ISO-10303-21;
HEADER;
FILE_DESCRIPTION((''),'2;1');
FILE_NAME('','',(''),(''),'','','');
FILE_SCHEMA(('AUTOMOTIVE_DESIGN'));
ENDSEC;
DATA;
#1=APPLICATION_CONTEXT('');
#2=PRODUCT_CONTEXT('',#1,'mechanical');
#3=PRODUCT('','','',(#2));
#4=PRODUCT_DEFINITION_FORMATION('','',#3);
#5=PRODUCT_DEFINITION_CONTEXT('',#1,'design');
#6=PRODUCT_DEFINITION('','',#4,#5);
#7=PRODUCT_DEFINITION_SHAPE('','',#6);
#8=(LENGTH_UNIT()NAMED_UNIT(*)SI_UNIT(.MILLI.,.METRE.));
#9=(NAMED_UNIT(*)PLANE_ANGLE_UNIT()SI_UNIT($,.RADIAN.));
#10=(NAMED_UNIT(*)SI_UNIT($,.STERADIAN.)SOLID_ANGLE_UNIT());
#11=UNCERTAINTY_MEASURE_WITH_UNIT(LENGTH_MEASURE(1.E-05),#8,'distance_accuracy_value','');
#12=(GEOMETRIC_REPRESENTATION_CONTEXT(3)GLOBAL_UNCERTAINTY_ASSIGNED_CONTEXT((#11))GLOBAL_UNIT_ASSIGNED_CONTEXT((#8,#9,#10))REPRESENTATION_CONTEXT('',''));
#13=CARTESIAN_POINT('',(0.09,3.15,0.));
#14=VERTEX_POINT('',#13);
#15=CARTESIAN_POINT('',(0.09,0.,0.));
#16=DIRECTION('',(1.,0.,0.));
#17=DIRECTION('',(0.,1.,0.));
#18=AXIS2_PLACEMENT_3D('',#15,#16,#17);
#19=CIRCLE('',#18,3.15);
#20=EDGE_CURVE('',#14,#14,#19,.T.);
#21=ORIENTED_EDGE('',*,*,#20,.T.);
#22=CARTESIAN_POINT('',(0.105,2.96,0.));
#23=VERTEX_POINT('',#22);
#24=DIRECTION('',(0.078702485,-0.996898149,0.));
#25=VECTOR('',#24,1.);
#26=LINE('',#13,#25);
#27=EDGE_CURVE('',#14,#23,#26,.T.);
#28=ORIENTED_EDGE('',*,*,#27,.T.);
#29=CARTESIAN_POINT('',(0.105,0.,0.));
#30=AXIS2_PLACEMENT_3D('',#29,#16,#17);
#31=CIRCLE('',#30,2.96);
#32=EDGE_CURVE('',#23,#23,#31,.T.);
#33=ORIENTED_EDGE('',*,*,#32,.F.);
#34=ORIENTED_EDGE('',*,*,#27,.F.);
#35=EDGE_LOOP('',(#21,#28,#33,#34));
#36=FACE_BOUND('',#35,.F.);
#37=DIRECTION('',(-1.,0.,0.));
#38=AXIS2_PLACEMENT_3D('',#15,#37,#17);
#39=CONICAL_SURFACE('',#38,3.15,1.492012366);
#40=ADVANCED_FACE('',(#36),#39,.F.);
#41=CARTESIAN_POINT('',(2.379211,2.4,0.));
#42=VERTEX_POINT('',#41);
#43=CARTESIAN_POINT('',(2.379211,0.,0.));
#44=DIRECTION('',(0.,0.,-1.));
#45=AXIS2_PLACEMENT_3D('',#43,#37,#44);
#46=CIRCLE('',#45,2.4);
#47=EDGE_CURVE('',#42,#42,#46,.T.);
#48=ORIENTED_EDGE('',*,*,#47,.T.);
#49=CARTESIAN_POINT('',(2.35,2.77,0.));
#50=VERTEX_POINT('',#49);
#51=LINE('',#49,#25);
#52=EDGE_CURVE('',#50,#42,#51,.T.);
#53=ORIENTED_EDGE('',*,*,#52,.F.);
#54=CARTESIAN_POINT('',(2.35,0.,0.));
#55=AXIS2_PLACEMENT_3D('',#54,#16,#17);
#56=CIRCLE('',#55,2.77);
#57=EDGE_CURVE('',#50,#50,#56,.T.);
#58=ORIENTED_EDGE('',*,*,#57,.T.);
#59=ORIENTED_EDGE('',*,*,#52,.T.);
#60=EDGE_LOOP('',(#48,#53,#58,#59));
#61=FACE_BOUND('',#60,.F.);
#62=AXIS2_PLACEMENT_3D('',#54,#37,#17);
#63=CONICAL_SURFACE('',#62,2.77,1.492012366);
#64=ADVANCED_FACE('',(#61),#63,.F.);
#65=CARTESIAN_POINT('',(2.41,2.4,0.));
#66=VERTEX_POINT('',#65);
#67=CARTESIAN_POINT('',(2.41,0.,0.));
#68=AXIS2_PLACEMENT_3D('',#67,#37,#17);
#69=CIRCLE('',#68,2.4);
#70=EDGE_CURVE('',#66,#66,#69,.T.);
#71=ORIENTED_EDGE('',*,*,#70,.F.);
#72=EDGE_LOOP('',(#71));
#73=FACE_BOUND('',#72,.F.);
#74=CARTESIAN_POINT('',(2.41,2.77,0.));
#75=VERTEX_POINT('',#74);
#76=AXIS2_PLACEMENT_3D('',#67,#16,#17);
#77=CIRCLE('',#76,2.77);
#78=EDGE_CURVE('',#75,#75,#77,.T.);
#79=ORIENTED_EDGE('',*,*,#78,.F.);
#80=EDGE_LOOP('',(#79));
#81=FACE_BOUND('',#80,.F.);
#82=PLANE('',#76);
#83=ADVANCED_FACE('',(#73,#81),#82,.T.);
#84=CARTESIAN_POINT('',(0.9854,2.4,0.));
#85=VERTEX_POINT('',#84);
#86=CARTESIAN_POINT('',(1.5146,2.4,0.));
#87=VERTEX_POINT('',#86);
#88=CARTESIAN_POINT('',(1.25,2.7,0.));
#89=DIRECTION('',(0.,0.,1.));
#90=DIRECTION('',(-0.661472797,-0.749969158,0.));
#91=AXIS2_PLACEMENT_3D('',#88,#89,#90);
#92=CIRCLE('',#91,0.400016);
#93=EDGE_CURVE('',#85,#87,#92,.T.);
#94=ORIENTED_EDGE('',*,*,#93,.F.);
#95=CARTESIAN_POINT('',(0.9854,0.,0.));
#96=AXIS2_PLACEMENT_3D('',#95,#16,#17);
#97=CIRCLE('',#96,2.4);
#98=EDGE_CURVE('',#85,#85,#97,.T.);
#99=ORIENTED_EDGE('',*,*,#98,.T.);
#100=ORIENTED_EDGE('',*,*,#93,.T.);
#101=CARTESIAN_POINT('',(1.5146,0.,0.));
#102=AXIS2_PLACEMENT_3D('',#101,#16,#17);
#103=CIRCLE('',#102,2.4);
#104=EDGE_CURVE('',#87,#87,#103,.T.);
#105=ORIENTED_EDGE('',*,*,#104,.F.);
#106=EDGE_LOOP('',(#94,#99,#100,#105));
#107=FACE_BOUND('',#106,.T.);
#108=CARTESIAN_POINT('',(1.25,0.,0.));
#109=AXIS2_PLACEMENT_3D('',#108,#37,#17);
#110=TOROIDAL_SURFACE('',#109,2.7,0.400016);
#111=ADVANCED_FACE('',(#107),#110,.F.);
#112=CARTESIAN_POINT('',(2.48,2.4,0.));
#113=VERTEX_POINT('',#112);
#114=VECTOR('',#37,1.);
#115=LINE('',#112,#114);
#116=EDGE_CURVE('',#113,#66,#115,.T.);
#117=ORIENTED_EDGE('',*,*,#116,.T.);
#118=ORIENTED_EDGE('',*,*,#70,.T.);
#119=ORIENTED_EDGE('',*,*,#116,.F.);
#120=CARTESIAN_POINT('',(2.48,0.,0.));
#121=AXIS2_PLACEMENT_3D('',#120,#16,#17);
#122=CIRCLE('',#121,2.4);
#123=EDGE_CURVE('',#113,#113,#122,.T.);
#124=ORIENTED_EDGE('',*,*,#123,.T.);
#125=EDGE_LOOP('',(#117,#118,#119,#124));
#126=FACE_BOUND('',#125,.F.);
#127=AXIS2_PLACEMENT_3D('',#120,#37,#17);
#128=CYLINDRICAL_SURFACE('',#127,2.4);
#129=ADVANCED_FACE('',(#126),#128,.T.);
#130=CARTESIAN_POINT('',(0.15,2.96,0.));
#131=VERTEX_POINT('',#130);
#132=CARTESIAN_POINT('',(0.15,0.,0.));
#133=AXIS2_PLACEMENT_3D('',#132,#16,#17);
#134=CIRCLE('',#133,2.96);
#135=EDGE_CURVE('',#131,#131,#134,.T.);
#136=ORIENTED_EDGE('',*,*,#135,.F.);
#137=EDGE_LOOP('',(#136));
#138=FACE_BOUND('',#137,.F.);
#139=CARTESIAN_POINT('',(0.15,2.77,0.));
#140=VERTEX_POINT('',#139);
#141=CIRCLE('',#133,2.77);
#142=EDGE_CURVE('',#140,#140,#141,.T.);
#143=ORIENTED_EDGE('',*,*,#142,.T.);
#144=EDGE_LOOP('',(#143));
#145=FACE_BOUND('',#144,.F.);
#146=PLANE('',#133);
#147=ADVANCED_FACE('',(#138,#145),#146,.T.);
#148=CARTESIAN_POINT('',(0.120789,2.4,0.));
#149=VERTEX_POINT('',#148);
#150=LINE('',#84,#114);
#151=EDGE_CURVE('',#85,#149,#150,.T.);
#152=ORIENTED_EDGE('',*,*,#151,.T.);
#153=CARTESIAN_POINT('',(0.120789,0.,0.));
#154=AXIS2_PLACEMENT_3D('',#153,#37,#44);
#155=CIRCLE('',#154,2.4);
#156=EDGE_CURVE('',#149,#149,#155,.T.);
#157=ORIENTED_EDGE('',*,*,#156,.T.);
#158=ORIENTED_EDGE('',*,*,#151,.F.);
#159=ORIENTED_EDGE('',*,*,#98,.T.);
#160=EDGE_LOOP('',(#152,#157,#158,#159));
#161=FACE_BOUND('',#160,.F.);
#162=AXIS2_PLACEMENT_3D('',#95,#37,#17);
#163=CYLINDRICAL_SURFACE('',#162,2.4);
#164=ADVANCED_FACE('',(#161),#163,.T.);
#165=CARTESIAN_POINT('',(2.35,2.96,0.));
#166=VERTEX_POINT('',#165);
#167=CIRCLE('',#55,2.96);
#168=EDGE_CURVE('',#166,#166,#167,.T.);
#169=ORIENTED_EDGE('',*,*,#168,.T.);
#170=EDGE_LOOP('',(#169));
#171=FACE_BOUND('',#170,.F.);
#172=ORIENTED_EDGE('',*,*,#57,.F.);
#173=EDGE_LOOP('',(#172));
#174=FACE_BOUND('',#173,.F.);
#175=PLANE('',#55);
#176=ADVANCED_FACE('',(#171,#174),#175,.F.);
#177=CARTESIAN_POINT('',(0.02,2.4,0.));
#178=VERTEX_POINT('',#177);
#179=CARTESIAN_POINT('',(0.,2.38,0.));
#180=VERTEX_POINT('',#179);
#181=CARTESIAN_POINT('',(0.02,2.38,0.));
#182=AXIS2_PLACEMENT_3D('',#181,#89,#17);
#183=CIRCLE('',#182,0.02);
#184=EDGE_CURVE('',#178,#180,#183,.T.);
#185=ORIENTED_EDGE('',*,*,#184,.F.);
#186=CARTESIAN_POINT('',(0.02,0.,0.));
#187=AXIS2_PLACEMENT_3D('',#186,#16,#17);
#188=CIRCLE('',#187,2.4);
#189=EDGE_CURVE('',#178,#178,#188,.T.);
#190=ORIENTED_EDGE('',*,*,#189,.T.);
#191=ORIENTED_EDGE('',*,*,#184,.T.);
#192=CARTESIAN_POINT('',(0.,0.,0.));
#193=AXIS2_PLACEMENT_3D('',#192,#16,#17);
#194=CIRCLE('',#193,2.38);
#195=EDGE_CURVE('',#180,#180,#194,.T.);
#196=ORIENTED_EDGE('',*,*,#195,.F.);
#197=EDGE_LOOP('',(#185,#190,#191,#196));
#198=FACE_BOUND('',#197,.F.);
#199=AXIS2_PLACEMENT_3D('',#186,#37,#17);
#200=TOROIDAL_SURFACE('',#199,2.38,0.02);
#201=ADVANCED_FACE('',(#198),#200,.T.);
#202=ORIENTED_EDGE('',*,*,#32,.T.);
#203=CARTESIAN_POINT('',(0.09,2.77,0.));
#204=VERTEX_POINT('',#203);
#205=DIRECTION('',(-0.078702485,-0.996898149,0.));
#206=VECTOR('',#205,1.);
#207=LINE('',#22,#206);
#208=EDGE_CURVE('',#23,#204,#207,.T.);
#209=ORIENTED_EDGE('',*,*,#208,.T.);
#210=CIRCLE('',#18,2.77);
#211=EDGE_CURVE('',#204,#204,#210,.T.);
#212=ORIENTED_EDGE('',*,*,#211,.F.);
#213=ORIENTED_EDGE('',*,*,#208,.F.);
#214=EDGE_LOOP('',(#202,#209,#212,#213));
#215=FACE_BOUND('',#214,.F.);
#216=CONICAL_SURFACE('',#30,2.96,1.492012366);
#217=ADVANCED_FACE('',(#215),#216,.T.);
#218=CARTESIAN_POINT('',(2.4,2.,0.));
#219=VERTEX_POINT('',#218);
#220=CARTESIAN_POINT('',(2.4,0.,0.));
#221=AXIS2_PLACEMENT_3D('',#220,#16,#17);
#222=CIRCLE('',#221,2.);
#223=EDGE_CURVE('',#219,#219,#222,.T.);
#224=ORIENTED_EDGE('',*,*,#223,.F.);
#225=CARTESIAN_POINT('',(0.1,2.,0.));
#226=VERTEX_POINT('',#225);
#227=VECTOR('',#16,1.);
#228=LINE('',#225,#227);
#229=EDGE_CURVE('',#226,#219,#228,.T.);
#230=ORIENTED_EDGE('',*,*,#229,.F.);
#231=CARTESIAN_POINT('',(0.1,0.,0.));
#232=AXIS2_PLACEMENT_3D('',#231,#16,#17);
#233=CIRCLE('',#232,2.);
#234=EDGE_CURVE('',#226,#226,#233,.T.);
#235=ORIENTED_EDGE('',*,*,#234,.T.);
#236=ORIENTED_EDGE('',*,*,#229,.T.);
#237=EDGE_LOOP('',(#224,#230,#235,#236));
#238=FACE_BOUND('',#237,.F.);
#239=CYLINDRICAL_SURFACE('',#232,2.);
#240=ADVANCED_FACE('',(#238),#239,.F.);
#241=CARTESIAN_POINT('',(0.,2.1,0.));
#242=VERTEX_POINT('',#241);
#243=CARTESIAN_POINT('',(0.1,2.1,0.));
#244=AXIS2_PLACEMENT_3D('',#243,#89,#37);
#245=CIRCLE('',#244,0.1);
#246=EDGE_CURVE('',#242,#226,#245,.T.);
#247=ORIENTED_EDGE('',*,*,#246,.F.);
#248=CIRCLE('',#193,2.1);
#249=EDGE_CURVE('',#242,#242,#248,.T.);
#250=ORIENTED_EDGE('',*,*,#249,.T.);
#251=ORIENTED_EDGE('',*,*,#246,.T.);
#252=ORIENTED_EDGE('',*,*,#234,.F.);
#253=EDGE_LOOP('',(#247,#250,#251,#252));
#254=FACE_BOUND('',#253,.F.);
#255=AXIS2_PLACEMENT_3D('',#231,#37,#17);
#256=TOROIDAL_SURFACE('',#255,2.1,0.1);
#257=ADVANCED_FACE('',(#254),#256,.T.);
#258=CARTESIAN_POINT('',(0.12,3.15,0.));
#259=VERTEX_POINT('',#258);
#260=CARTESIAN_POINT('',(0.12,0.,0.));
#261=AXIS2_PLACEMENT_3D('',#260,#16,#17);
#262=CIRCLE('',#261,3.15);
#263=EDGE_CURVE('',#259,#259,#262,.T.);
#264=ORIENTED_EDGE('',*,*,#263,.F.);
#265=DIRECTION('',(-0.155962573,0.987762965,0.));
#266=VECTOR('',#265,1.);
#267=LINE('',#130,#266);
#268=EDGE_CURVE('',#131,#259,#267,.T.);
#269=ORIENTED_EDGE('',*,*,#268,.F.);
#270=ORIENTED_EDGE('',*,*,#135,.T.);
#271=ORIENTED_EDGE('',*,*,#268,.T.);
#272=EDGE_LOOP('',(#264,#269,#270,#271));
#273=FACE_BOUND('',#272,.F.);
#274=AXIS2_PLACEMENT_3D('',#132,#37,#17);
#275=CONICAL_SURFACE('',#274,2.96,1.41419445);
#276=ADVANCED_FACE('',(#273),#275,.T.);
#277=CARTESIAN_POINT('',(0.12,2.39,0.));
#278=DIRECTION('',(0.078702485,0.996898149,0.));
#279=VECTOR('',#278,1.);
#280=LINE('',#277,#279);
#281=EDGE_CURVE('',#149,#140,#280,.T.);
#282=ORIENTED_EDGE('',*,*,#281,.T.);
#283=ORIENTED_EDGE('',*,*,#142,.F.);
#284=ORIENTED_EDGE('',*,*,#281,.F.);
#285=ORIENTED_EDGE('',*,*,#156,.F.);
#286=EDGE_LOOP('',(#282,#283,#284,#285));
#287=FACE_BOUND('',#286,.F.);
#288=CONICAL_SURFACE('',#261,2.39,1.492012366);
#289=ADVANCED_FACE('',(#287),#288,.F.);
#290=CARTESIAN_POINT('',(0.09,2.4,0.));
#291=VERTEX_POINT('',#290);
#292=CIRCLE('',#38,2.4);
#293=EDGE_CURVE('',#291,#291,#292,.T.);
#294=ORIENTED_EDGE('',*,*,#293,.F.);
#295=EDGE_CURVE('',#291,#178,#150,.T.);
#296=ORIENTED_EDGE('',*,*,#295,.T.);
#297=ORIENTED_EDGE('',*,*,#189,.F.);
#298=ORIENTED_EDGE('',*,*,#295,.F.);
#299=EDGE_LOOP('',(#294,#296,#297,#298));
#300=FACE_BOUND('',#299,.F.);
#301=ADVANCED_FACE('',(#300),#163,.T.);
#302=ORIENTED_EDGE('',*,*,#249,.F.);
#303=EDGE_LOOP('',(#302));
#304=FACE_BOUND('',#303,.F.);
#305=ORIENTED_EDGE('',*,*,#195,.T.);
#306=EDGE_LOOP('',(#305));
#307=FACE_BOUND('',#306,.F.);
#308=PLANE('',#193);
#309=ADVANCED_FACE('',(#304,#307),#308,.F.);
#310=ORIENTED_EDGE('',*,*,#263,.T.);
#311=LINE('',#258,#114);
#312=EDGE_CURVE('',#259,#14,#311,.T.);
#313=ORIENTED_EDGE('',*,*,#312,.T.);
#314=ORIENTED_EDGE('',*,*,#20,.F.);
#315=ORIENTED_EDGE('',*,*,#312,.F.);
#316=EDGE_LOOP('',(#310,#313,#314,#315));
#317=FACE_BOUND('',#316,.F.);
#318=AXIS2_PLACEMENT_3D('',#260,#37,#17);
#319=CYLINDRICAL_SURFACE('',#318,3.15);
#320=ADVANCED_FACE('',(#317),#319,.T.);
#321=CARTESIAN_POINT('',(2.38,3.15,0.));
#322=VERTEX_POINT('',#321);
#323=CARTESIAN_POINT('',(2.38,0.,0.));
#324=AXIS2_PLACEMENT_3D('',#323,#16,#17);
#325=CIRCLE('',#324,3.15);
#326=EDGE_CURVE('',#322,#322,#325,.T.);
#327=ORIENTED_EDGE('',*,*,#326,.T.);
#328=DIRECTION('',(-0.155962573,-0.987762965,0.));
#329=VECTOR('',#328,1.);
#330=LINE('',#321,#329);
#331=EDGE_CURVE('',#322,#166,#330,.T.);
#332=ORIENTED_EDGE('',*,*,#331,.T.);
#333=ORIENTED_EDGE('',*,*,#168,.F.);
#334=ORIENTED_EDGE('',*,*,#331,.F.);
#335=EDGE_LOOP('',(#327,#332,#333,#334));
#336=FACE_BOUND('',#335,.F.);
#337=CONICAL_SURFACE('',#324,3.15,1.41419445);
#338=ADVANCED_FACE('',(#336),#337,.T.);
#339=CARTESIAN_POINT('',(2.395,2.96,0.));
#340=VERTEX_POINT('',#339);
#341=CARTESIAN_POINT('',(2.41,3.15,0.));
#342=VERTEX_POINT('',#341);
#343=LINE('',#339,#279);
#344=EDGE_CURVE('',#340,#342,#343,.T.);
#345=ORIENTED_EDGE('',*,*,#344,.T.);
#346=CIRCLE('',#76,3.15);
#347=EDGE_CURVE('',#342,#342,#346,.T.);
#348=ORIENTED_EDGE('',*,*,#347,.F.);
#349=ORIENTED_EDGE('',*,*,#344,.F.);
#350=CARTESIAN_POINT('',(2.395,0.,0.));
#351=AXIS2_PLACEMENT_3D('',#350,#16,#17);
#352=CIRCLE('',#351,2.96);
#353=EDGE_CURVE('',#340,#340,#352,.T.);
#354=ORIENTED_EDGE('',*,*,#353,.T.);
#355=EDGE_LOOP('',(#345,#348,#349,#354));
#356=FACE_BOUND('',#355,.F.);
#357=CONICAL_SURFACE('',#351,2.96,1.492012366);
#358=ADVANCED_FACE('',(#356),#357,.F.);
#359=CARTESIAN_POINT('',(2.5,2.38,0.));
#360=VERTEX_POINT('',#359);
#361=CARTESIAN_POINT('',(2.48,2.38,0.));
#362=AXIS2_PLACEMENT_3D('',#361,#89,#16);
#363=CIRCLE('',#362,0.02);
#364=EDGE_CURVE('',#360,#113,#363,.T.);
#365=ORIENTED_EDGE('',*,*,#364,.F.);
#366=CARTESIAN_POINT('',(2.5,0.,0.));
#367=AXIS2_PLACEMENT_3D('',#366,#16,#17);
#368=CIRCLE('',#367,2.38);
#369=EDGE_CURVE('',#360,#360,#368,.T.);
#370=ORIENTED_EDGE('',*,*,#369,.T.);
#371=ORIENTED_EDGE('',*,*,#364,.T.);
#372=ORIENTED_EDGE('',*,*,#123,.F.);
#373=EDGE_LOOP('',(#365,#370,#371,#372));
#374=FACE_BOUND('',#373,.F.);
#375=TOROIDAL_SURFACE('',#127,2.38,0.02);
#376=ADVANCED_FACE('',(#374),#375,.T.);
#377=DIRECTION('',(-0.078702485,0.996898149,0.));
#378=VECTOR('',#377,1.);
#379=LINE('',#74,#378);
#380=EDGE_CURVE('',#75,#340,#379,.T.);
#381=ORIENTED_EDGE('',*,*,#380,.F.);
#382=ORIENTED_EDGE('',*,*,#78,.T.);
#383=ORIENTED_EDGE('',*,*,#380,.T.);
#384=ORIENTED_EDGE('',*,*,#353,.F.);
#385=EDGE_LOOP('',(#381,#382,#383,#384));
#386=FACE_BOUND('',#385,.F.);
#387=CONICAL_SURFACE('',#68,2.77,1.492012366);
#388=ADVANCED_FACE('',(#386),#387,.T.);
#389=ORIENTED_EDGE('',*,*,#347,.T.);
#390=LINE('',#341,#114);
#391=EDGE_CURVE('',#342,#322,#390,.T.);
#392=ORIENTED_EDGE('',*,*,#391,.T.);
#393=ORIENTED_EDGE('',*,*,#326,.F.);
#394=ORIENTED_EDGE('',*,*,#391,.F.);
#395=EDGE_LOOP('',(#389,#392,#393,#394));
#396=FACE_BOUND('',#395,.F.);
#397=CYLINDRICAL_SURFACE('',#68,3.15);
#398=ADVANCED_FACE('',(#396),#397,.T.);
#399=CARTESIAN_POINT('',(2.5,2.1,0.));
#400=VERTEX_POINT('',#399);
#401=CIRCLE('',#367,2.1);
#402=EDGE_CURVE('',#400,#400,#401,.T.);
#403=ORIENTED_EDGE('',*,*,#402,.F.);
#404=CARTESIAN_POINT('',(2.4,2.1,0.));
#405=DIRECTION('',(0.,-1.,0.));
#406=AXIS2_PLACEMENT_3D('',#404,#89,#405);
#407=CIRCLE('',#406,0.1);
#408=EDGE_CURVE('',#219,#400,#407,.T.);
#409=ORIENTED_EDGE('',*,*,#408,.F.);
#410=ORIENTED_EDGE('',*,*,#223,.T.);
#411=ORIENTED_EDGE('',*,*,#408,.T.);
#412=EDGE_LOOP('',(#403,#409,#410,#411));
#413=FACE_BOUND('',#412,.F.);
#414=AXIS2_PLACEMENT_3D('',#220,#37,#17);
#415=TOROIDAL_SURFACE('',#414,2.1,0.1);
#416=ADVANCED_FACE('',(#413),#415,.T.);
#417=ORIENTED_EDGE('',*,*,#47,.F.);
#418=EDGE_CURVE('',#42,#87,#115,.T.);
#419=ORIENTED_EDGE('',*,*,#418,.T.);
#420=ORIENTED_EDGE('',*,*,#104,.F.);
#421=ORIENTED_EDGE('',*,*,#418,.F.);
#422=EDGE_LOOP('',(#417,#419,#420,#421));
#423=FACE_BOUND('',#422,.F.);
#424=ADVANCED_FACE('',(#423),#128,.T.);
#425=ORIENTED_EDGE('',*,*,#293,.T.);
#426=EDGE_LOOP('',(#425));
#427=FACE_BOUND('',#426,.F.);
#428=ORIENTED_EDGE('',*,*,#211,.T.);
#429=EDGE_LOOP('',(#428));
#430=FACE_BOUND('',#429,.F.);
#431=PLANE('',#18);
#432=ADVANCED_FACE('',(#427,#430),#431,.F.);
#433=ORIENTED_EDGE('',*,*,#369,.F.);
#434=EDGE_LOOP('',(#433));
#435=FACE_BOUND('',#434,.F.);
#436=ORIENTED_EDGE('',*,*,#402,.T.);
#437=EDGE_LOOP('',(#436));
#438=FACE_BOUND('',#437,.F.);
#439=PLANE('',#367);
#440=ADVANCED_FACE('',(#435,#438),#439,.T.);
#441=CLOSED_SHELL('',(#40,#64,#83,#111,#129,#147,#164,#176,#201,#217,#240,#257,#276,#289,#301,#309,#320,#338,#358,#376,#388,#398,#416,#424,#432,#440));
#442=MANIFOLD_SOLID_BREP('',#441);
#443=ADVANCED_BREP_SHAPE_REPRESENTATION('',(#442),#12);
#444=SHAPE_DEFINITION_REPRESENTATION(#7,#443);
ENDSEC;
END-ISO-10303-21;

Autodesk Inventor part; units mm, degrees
ref_plane "YZ Plane" through (0, 0, 0) normal (1, 0, 0) x (0, 1, 0)
ref_plane "XZ Plane" through (0, 0, 0) normal (0, 1, 0) x (-1, 0, 0)
ref_plane "XY Plane" through (0, 0, 0) normal (0, 0, 1) x (1, 0, 0)
sketch "Sketch_17" plane through (0, 0, 0) normal (0, 0, 1) x (1, 0, 0)
  line L0 (50, 0) -> (-50, 0)
  line L1 (0, 2.38) -> (0, 2.1)
  arc A0 (0, 2.1) -> (0.1, 2) centre (0.1, 2.1) ccw
  line L2 (0.1, 2) -> (2.4, 2)
  arc A1 (2.4, 2) -> (2.5, 2.1) centre (2.4, 2.1) ccw
  line L3 (2.5, 2.1) -> (2.5, 2.38)
  arc A2 (2.5, 2.38) -> (2.48, 2.4) centre (2.48, 2.38) ccw
  line L4 (2.48, 2.4) -> (1.5146, 2.4)
  arc A3 (0.9854, 2.4) -> (1.5146, 2.4) centre (1.25, 2.7) ccw
  line L5 (0.9854, 2.4) -> (0.02, 2.4)
  arc A4 (0.02, 2.4) -> (0, 2.38) centre (0.02, 2.38) ccw
revolve "Revolution1" add sketch "Sketch_17" angle 360 about axis through (50, 0, 0) along (1, 0, 0)
sketch "Sketch_20" plane through (0, 0, 0) normal (0, 0, 1) x (1, 0, 0)
  line L0 (50, 0) -> (-50, 0)
  line L1 (0.09, 3.15) -> (0.105, 2.96)
  line L2 (0.105, 2.96) -> (0.09, 2.77)
  line L3 (0.09, 2.77) -> (0.09, 2.39)
  line L4 (0.09, 2.39) -> (0.12, 2.39)
  line L5 (0.12, 2.39) -> (0.15, 2.77)
  line L6 (0.15, 2.77) -> (0.15, 2.96)
  line L7 (0.15, 2.96) -> (0.12, 3.15)
  line L8 (0.12, 3.15) -> (0.09, 3.15)
revolve "Revolution2" add sketch "Sketch_20" angle 360 about axis through (50, 0, 0) along (1, 0, 0)
sketch "Sketch_21" plane through (0, 0, 0) normal (0, 0, 1) x (1, 0, 0)
  line L0 (50, 0) -> (-50, 0)
  line L1 (2.35, 2.96) -> (2.35, 2.77)
  line L2 (2.35, 2.77) -> (2.38, 2.39)
  line L3 (2.38, 2.39) -> (2.41, 2.39)
  line L4 (2.41, 2.39) -> (2.41, 2.77)
  line L5 (2.41, 2.77) -> (2.395, 2.96)
  line L6 (2.395, 2.96) -> (2.41, 3.15)
  line L7 (2.41, 3.15) -> (2.38, 3.15)
  line L8 (2.38, 3.15) -> (2.35, 2.96)
revolve "Revolution3" add sketch "Sketch_21" angle 360 about axis through (50, 0, 0) along (1, 0, 0)
properties part number "W 627/4-2ZS_PART1"
